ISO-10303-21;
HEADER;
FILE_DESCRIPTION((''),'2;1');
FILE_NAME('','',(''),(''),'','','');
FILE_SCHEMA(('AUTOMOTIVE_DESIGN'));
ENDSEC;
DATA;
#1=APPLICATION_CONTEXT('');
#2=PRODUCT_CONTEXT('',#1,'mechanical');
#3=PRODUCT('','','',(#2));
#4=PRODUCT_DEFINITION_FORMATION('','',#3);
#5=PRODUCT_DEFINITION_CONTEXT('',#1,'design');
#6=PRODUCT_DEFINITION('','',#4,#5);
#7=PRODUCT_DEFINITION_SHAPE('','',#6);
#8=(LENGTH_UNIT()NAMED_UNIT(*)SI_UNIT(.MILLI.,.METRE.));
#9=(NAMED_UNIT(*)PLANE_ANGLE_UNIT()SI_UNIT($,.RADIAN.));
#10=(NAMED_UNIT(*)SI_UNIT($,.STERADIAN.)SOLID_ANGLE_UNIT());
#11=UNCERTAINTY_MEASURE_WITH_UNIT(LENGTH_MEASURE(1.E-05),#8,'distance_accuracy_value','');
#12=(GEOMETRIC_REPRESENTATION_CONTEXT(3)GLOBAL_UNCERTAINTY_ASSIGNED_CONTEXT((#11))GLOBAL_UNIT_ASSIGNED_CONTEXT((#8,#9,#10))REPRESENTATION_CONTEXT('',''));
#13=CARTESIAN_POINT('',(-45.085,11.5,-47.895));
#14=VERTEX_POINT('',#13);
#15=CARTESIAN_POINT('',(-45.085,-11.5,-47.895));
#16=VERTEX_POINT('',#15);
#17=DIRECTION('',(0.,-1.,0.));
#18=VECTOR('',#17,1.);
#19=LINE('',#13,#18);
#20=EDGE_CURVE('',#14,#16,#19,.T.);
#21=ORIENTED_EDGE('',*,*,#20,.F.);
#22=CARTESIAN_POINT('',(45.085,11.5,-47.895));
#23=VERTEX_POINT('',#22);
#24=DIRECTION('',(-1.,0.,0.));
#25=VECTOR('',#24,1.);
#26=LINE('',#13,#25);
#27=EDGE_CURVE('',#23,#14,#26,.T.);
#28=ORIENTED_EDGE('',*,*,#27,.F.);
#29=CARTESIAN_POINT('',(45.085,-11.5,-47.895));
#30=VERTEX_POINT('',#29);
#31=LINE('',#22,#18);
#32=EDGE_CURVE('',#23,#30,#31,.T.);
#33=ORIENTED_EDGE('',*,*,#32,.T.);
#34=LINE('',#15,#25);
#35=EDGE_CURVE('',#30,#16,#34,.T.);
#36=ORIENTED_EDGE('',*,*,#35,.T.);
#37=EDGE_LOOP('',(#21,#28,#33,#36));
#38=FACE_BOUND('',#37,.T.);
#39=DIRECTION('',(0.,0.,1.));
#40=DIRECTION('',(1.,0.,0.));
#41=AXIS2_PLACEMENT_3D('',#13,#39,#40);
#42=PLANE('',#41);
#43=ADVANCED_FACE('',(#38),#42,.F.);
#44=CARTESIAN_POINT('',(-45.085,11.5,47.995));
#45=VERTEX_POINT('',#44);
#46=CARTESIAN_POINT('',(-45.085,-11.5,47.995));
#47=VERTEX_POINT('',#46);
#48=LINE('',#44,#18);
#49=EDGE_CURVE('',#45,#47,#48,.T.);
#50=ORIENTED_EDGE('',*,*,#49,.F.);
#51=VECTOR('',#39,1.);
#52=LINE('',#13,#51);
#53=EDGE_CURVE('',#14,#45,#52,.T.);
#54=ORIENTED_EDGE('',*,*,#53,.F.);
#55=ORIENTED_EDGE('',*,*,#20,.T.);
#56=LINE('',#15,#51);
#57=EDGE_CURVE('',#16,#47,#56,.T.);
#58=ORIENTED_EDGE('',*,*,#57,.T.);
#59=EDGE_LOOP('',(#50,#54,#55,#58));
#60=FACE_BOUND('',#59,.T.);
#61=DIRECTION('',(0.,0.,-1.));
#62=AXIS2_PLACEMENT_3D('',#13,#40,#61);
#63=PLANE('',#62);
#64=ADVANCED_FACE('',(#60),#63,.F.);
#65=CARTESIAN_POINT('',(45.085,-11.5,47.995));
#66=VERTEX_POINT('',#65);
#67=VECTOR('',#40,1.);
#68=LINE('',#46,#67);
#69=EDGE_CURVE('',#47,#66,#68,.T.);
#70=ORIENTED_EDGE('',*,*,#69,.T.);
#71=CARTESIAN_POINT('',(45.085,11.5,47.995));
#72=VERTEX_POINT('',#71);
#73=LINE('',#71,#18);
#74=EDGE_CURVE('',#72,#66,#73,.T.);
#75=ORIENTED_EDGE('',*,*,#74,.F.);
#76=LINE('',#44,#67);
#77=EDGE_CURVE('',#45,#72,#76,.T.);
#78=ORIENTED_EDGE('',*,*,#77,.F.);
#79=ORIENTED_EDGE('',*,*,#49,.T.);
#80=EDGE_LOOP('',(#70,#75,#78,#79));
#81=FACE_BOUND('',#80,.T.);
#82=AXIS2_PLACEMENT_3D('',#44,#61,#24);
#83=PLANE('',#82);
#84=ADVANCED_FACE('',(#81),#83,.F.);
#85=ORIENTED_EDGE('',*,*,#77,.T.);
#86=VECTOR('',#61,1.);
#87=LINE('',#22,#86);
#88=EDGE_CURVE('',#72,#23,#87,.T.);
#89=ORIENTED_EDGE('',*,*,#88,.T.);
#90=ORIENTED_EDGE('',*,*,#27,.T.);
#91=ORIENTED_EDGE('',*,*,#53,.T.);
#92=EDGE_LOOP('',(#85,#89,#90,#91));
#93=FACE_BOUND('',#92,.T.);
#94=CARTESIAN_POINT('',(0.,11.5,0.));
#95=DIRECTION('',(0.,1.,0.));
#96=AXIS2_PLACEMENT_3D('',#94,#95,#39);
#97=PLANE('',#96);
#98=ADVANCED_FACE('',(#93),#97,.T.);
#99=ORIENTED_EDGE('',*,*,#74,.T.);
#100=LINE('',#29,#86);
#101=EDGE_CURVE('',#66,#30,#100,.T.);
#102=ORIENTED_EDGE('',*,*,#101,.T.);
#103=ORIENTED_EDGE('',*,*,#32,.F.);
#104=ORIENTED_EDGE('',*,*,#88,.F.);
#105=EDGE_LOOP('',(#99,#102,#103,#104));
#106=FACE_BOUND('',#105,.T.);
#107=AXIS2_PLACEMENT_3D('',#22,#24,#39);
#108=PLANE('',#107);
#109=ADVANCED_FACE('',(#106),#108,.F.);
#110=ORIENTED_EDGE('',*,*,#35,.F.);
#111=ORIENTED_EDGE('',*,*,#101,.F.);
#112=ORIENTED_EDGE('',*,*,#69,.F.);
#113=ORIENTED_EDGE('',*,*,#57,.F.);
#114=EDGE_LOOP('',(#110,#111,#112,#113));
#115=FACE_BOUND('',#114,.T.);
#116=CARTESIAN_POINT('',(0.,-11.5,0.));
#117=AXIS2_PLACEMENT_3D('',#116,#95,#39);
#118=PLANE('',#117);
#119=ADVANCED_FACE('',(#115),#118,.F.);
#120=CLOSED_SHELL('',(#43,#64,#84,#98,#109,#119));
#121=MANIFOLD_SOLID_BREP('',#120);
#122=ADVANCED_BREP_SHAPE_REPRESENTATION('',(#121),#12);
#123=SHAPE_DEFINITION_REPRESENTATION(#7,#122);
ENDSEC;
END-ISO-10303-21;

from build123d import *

# Parameters (mm, degrees)
SKETCH1_W           = 90.17
SKETCH1_H           = 95.89
BOSS_EXTRUDE1_DEPTH = 11.5


with BuildPart() as part:
    # Sketch1 → Boss-Extrude1 (new body, symmetric)
    with BuildSketch(Plane(origin=(0, 0, 0), x_dir=(1, 0, 0), z_dir=(0, 1, 0))):
        with Locations((0, -0.05)):
            Rectangle(SKETCH1_W, SKETCH1_H)
    extrude(amount=BOSS_EXTRUDE1_DEPTH, both=True)


solid = part.part
